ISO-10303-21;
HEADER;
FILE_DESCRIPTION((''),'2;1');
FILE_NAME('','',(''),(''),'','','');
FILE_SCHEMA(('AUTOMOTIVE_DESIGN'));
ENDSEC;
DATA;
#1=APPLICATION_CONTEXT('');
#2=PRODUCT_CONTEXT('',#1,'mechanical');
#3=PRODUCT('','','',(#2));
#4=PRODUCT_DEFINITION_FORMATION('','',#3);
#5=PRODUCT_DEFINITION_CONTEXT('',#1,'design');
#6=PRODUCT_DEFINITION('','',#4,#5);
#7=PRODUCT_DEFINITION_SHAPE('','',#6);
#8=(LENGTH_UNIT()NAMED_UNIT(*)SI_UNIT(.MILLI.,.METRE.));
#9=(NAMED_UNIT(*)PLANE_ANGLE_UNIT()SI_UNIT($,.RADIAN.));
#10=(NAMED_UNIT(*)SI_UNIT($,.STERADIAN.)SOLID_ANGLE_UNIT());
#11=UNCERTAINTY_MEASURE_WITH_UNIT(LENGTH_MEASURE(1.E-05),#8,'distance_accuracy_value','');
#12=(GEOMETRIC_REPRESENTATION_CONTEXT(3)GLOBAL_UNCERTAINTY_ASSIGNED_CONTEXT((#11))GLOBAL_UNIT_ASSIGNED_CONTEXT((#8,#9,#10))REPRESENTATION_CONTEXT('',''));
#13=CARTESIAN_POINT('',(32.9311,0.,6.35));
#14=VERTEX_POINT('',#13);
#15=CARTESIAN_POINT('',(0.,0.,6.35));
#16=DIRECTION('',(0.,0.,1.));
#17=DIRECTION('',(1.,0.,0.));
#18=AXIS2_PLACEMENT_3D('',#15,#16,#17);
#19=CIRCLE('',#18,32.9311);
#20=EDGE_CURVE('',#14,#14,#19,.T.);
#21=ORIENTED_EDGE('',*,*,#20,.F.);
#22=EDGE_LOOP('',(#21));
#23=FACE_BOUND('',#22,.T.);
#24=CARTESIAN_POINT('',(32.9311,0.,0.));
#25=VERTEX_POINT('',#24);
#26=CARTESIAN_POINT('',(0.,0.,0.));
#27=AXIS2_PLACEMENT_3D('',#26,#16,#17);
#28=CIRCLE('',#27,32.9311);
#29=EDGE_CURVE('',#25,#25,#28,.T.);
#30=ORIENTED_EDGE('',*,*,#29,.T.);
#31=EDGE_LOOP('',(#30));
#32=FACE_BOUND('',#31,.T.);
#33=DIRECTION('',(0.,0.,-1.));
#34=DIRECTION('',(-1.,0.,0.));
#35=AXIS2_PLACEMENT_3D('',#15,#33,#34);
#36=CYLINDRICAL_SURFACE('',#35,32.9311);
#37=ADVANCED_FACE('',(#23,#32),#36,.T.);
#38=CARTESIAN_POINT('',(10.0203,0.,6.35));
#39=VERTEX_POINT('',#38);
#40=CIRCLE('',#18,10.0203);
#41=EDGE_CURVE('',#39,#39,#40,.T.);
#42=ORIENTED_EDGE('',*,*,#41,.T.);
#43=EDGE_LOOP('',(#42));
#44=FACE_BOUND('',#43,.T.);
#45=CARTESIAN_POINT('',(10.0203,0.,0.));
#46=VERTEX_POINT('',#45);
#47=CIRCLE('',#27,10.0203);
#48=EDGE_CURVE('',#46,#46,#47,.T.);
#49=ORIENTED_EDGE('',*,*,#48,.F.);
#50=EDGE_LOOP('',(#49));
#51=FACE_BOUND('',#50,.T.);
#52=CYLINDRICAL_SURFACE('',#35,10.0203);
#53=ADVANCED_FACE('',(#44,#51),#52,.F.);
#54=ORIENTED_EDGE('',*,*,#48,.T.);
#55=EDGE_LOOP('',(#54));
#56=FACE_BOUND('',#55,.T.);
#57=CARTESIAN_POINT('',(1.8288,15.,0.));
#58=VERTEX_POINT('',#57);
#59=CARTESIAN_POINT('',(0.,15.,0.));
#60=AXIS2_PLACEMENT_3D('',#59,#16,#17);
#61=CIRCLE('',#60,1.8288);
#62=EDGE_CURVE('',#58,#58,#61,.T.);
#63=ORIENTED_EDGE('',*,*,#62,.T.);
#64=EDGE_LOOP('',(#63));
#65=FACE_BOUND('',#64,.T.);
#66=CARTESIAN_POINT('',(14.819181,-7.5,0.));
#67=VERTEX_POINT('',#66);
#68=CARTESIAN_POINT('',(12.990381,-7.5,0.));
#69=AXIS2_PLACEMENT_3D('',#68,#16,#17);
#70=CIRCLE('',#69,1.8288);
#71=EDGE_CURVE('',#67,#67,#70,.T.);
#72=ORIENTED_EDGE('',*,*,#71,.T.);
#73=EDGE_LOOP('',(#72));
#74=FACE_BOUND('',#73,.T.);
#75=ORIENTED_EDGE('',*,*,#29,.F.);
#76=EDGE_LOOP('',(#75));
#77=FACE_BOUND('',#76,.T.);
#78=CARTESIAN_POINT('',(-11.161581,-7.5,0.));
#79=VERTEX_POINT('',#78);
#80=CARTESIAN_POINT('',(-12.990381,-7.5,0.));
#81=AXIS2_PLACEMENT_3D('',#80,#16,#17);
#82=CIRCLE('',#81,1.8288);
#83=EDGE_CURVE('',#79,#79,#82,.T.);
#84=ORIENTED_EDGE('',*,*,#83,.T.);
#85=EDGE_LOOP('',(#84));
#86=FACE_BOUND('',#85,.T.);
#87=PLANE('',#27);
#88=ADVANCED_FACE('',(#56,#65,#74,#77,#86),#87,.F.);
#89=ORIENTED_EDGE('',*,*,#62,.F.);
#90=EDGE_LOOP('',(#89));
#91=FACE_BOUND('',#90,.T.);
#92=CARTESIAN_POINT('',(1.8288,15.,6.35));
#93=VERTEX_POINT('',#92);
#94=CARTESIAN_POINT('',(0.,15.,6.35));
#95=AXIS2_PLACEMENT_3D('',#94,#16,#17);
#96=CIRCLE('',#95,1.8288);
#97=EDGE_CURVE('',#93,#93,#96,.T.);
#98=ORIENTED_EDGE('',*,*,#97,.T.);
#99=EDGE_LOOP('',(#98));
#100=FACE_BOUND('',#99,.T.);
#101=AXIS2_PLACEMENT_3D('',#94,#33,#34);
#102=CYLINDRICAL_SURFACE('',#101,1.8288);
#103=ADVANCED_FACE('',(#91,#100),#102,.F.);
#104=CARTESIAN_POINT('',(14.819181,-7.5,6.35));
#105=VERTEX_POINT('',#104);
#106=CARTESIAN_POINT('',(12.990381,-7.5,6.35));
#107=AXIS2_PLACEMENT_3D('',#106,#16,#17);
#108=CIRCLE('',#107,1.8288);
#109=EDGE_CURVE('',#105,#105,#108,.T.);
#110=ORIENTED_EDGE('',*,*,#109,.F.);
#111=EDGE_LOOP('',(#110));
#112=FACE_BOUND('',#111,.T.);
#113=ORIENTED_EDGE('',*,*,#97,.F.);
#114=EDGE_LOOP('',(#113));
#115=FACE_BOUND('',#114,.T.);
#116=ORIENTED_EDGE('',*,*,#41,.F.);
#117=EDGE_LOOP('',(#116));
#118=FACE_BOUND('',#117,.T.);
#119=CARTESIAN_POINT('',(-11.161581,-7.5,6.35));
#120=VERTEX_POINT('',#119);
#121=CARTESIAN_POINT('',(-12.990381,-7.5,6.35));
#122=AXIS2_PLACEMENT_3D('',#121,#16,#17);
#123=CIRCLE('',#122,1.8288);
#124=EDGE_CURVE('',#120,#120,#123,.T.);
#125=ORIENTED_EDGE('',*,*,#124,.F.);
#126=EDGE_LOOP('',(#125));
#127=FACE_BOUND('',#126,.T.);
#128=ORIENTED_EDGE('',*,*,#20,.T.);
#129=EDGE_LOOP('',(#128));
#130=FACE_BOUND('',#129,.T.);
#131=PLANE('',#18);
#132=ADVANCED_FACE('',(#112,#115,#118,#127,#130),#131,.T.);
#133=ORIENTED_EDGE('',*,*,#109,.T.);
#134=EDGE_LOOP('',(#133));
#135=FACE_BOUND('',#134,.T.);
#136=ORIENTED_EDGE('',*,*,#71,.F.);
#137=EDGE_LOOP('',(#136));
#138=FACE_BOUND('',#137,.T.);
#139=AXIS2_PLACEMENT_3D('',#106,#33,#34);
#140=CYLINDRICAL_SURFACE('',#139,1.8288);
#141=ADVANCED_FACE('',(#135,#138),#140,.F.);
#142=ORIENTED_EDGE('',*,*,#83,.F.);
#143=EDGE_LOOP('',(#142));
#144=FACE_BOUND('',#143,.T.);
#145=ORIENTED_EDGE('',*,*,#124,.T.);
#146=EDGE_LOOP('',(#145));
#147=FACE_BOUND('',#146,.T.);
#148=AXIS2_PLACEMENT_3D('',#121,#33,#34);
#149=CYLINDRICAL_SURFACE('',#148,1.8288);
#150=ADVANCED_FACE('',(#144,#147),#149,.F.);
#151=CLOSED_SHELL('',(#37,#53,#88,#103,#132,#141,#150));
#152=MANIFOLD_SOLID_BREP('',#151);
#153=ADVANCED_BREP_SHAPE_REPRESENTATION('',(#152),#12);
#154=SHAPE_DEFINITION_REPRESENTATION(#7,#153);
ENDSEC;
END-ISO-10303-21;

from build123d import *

# Parameters (mm, degrees)
SKETCH1_R           = 32.9311
SKETCH1_R_2         = 10.0203
SKETCH1_R_3         = 1.8288
BOSS_EXTRUDE1_DEPTH = 6.35


with BuildPart() as part:
    # Sketch1 → Boss-Extrude1 (new body)
    with BuildSketch(Plane.XY):
        Circle(SKETCH1_R)
        Circle(SKETCH1_R_2, mode=Mode.SUBTRACT)
        with Locations((0, 15)):
            Circle(SKETCH1_R_3, mode=Mode.SUBTRACT)
        with Locations((12.990381057, -7.5)):
            Circle(SKETCH1_R_3, mode=Mode.SUBTRACT)
        with Locations((-12.990381057, -7.5)):
            Circle(SKETCH1_R_3, mode=Mode.SUBTRACT)
    extrude(amount=BOSS_EXTRUDE1_DEPTH)


solid = part.part
